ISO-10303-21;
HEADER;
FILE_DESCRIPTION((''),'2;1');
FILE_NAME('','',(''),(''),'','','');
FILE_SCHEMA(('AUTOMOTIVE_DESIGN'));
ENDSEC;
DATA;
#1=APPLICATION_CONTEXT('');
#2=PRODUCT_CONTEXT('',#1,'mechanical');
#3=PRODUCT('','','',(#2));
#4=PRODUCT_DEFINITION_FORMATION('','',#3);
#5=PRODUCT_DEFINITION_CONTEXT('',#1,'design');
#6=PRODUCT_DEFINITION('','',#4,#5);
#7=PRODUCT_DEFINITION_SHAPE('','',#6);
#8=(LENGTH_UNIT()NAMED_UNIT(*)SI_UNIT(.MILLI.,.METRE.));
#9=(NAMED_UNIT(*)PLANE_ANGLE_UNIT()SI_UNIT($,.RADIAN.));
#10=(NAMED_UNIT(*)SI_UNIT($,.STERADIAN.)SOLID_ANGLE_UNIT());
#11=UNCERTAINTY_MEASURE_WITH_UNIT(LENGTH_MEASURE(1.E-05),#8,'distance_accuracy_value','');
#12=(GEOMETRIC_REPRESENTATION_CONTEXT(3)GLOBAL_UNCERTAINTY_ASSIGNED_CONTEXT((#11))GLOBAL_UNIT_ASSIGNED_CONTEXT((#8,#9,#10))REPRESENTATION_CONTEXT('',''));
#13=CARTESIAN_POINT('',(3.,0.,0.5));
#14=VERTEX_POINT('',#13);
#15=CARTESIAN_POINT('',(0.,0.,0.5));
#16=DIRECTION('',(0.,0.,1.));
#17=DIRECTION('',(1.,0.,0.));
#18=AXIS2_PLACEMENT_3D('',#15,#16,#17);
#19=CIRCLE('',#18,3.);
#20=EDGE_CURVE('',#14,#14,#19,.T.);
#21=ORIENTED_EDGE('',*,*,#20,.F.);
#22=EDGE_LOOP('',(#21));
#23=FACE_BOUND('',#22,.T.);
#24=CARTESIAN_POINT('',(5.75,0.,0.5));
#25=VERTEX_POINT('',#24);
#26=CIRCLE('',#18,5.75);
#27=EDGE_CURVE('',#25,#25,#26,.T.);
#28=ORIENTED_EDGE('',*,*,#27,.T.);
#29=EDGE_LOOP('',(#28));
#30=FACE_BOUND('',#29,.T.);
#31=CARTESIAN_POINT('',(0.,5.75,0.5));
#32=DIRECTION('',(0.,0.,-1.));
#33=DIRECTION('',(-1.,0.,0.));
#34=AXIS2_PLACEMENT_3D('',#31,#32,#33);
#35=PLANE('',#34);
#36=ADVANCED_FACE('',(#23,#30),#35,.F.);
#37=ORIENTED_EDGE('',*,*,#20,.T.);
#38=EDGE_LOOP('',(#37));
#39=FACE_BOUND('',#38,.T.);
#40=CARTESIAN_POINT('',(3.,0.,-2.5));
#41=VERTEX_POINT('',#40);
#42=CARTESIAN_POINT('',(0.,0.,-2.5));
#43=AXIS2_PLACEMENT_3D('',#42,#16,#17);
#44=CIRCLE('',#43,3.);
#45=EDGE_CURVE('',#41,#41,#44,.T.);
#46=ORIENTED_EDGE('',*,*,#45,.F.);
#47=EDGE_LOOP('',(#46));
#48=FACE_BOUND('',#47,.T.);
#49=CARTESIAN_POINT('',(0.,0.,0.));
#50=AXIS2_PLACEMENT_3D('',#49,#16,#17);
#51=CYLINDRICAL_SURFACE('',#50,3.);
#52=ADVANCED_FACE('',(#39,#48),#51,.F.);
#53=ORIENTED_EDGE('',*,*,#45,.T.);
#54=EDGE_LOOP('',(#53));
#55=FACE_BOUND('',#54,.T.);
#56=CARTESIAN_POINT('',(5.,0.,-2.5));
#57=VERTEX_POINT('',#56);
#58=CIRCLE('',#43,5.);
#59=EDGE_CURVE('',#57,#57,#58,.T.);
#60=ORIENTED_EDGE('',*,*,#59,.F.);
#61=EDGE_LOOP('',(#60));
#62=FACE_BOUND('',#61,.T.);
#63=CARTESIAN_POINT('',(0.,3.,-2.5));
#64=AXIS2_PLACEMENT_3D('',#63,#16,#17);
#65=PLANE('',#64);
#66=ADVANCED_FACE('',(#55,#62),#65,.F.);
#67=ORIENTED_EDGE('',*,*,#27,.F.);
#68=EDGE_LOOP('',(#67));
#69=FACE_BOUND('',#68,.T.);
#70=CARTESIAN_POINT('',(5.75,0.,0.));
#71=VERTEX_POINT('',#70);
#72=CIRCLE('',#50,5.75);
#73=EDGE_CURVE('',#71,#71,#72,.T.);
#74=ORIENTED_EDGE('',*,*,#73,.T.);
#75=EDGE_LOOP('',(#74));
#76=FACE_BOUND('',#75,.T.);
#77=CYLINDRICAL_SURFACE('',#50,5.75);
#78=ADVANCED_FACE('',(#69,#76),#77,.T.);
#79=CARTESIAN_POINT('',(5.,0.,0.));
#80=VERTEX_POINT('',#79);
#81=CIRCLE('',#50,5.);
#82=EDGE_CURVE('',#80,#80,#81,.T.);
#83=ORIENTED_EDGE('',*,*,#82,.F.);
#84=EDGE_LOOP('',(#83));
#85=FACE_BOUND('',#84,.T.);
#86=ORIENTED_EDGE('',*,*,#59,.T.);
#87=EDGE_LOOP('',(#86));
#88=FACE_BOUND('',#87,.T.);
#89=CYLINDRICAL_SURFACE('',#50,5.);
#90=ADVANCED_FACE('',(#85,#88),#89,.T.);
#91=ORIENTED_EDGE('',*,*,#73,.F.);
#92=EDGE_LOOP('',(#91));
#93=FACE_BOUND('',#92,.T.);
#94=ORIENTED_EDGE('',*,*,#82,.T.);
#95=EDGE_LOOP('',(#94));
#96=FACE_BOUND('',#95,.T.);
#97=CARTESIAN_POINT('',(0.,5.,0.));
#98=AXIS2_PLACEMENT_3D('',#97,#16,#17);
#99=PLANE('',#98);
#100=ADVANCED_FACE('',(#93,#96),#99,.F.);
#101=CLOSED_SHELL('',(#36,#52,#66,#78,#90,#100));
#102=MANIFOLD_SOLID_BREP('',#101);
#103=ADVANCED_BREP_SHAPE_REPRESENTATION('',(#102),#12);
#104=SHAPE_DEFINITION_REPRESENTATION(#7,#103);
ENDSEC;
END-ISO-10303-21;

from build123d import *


with BuildPart() as part:
    # ｽｹｯﾁ1 → 回転1 (revolve)
    with BuildSketch(Plane(origin=(0, 0, 0), x_dir=(0, 0, -1), z_dir=(1, 0, 0)), mode=Mode.PRIVATE) as revolve_1_sk:
        Polygon((-0.5, 5.75), (-0.5, 3), (2.5, 3), (2.5, 5), (0, 5), (0, 5.75), align=None)
    revolve(revolve_1_sk.sketch.rotate(Axis((0, 0, 0), (0, 0, -1)), 90), axis=Axis((0, 0, 0), (0, 0, -1)))


solid = part.part
